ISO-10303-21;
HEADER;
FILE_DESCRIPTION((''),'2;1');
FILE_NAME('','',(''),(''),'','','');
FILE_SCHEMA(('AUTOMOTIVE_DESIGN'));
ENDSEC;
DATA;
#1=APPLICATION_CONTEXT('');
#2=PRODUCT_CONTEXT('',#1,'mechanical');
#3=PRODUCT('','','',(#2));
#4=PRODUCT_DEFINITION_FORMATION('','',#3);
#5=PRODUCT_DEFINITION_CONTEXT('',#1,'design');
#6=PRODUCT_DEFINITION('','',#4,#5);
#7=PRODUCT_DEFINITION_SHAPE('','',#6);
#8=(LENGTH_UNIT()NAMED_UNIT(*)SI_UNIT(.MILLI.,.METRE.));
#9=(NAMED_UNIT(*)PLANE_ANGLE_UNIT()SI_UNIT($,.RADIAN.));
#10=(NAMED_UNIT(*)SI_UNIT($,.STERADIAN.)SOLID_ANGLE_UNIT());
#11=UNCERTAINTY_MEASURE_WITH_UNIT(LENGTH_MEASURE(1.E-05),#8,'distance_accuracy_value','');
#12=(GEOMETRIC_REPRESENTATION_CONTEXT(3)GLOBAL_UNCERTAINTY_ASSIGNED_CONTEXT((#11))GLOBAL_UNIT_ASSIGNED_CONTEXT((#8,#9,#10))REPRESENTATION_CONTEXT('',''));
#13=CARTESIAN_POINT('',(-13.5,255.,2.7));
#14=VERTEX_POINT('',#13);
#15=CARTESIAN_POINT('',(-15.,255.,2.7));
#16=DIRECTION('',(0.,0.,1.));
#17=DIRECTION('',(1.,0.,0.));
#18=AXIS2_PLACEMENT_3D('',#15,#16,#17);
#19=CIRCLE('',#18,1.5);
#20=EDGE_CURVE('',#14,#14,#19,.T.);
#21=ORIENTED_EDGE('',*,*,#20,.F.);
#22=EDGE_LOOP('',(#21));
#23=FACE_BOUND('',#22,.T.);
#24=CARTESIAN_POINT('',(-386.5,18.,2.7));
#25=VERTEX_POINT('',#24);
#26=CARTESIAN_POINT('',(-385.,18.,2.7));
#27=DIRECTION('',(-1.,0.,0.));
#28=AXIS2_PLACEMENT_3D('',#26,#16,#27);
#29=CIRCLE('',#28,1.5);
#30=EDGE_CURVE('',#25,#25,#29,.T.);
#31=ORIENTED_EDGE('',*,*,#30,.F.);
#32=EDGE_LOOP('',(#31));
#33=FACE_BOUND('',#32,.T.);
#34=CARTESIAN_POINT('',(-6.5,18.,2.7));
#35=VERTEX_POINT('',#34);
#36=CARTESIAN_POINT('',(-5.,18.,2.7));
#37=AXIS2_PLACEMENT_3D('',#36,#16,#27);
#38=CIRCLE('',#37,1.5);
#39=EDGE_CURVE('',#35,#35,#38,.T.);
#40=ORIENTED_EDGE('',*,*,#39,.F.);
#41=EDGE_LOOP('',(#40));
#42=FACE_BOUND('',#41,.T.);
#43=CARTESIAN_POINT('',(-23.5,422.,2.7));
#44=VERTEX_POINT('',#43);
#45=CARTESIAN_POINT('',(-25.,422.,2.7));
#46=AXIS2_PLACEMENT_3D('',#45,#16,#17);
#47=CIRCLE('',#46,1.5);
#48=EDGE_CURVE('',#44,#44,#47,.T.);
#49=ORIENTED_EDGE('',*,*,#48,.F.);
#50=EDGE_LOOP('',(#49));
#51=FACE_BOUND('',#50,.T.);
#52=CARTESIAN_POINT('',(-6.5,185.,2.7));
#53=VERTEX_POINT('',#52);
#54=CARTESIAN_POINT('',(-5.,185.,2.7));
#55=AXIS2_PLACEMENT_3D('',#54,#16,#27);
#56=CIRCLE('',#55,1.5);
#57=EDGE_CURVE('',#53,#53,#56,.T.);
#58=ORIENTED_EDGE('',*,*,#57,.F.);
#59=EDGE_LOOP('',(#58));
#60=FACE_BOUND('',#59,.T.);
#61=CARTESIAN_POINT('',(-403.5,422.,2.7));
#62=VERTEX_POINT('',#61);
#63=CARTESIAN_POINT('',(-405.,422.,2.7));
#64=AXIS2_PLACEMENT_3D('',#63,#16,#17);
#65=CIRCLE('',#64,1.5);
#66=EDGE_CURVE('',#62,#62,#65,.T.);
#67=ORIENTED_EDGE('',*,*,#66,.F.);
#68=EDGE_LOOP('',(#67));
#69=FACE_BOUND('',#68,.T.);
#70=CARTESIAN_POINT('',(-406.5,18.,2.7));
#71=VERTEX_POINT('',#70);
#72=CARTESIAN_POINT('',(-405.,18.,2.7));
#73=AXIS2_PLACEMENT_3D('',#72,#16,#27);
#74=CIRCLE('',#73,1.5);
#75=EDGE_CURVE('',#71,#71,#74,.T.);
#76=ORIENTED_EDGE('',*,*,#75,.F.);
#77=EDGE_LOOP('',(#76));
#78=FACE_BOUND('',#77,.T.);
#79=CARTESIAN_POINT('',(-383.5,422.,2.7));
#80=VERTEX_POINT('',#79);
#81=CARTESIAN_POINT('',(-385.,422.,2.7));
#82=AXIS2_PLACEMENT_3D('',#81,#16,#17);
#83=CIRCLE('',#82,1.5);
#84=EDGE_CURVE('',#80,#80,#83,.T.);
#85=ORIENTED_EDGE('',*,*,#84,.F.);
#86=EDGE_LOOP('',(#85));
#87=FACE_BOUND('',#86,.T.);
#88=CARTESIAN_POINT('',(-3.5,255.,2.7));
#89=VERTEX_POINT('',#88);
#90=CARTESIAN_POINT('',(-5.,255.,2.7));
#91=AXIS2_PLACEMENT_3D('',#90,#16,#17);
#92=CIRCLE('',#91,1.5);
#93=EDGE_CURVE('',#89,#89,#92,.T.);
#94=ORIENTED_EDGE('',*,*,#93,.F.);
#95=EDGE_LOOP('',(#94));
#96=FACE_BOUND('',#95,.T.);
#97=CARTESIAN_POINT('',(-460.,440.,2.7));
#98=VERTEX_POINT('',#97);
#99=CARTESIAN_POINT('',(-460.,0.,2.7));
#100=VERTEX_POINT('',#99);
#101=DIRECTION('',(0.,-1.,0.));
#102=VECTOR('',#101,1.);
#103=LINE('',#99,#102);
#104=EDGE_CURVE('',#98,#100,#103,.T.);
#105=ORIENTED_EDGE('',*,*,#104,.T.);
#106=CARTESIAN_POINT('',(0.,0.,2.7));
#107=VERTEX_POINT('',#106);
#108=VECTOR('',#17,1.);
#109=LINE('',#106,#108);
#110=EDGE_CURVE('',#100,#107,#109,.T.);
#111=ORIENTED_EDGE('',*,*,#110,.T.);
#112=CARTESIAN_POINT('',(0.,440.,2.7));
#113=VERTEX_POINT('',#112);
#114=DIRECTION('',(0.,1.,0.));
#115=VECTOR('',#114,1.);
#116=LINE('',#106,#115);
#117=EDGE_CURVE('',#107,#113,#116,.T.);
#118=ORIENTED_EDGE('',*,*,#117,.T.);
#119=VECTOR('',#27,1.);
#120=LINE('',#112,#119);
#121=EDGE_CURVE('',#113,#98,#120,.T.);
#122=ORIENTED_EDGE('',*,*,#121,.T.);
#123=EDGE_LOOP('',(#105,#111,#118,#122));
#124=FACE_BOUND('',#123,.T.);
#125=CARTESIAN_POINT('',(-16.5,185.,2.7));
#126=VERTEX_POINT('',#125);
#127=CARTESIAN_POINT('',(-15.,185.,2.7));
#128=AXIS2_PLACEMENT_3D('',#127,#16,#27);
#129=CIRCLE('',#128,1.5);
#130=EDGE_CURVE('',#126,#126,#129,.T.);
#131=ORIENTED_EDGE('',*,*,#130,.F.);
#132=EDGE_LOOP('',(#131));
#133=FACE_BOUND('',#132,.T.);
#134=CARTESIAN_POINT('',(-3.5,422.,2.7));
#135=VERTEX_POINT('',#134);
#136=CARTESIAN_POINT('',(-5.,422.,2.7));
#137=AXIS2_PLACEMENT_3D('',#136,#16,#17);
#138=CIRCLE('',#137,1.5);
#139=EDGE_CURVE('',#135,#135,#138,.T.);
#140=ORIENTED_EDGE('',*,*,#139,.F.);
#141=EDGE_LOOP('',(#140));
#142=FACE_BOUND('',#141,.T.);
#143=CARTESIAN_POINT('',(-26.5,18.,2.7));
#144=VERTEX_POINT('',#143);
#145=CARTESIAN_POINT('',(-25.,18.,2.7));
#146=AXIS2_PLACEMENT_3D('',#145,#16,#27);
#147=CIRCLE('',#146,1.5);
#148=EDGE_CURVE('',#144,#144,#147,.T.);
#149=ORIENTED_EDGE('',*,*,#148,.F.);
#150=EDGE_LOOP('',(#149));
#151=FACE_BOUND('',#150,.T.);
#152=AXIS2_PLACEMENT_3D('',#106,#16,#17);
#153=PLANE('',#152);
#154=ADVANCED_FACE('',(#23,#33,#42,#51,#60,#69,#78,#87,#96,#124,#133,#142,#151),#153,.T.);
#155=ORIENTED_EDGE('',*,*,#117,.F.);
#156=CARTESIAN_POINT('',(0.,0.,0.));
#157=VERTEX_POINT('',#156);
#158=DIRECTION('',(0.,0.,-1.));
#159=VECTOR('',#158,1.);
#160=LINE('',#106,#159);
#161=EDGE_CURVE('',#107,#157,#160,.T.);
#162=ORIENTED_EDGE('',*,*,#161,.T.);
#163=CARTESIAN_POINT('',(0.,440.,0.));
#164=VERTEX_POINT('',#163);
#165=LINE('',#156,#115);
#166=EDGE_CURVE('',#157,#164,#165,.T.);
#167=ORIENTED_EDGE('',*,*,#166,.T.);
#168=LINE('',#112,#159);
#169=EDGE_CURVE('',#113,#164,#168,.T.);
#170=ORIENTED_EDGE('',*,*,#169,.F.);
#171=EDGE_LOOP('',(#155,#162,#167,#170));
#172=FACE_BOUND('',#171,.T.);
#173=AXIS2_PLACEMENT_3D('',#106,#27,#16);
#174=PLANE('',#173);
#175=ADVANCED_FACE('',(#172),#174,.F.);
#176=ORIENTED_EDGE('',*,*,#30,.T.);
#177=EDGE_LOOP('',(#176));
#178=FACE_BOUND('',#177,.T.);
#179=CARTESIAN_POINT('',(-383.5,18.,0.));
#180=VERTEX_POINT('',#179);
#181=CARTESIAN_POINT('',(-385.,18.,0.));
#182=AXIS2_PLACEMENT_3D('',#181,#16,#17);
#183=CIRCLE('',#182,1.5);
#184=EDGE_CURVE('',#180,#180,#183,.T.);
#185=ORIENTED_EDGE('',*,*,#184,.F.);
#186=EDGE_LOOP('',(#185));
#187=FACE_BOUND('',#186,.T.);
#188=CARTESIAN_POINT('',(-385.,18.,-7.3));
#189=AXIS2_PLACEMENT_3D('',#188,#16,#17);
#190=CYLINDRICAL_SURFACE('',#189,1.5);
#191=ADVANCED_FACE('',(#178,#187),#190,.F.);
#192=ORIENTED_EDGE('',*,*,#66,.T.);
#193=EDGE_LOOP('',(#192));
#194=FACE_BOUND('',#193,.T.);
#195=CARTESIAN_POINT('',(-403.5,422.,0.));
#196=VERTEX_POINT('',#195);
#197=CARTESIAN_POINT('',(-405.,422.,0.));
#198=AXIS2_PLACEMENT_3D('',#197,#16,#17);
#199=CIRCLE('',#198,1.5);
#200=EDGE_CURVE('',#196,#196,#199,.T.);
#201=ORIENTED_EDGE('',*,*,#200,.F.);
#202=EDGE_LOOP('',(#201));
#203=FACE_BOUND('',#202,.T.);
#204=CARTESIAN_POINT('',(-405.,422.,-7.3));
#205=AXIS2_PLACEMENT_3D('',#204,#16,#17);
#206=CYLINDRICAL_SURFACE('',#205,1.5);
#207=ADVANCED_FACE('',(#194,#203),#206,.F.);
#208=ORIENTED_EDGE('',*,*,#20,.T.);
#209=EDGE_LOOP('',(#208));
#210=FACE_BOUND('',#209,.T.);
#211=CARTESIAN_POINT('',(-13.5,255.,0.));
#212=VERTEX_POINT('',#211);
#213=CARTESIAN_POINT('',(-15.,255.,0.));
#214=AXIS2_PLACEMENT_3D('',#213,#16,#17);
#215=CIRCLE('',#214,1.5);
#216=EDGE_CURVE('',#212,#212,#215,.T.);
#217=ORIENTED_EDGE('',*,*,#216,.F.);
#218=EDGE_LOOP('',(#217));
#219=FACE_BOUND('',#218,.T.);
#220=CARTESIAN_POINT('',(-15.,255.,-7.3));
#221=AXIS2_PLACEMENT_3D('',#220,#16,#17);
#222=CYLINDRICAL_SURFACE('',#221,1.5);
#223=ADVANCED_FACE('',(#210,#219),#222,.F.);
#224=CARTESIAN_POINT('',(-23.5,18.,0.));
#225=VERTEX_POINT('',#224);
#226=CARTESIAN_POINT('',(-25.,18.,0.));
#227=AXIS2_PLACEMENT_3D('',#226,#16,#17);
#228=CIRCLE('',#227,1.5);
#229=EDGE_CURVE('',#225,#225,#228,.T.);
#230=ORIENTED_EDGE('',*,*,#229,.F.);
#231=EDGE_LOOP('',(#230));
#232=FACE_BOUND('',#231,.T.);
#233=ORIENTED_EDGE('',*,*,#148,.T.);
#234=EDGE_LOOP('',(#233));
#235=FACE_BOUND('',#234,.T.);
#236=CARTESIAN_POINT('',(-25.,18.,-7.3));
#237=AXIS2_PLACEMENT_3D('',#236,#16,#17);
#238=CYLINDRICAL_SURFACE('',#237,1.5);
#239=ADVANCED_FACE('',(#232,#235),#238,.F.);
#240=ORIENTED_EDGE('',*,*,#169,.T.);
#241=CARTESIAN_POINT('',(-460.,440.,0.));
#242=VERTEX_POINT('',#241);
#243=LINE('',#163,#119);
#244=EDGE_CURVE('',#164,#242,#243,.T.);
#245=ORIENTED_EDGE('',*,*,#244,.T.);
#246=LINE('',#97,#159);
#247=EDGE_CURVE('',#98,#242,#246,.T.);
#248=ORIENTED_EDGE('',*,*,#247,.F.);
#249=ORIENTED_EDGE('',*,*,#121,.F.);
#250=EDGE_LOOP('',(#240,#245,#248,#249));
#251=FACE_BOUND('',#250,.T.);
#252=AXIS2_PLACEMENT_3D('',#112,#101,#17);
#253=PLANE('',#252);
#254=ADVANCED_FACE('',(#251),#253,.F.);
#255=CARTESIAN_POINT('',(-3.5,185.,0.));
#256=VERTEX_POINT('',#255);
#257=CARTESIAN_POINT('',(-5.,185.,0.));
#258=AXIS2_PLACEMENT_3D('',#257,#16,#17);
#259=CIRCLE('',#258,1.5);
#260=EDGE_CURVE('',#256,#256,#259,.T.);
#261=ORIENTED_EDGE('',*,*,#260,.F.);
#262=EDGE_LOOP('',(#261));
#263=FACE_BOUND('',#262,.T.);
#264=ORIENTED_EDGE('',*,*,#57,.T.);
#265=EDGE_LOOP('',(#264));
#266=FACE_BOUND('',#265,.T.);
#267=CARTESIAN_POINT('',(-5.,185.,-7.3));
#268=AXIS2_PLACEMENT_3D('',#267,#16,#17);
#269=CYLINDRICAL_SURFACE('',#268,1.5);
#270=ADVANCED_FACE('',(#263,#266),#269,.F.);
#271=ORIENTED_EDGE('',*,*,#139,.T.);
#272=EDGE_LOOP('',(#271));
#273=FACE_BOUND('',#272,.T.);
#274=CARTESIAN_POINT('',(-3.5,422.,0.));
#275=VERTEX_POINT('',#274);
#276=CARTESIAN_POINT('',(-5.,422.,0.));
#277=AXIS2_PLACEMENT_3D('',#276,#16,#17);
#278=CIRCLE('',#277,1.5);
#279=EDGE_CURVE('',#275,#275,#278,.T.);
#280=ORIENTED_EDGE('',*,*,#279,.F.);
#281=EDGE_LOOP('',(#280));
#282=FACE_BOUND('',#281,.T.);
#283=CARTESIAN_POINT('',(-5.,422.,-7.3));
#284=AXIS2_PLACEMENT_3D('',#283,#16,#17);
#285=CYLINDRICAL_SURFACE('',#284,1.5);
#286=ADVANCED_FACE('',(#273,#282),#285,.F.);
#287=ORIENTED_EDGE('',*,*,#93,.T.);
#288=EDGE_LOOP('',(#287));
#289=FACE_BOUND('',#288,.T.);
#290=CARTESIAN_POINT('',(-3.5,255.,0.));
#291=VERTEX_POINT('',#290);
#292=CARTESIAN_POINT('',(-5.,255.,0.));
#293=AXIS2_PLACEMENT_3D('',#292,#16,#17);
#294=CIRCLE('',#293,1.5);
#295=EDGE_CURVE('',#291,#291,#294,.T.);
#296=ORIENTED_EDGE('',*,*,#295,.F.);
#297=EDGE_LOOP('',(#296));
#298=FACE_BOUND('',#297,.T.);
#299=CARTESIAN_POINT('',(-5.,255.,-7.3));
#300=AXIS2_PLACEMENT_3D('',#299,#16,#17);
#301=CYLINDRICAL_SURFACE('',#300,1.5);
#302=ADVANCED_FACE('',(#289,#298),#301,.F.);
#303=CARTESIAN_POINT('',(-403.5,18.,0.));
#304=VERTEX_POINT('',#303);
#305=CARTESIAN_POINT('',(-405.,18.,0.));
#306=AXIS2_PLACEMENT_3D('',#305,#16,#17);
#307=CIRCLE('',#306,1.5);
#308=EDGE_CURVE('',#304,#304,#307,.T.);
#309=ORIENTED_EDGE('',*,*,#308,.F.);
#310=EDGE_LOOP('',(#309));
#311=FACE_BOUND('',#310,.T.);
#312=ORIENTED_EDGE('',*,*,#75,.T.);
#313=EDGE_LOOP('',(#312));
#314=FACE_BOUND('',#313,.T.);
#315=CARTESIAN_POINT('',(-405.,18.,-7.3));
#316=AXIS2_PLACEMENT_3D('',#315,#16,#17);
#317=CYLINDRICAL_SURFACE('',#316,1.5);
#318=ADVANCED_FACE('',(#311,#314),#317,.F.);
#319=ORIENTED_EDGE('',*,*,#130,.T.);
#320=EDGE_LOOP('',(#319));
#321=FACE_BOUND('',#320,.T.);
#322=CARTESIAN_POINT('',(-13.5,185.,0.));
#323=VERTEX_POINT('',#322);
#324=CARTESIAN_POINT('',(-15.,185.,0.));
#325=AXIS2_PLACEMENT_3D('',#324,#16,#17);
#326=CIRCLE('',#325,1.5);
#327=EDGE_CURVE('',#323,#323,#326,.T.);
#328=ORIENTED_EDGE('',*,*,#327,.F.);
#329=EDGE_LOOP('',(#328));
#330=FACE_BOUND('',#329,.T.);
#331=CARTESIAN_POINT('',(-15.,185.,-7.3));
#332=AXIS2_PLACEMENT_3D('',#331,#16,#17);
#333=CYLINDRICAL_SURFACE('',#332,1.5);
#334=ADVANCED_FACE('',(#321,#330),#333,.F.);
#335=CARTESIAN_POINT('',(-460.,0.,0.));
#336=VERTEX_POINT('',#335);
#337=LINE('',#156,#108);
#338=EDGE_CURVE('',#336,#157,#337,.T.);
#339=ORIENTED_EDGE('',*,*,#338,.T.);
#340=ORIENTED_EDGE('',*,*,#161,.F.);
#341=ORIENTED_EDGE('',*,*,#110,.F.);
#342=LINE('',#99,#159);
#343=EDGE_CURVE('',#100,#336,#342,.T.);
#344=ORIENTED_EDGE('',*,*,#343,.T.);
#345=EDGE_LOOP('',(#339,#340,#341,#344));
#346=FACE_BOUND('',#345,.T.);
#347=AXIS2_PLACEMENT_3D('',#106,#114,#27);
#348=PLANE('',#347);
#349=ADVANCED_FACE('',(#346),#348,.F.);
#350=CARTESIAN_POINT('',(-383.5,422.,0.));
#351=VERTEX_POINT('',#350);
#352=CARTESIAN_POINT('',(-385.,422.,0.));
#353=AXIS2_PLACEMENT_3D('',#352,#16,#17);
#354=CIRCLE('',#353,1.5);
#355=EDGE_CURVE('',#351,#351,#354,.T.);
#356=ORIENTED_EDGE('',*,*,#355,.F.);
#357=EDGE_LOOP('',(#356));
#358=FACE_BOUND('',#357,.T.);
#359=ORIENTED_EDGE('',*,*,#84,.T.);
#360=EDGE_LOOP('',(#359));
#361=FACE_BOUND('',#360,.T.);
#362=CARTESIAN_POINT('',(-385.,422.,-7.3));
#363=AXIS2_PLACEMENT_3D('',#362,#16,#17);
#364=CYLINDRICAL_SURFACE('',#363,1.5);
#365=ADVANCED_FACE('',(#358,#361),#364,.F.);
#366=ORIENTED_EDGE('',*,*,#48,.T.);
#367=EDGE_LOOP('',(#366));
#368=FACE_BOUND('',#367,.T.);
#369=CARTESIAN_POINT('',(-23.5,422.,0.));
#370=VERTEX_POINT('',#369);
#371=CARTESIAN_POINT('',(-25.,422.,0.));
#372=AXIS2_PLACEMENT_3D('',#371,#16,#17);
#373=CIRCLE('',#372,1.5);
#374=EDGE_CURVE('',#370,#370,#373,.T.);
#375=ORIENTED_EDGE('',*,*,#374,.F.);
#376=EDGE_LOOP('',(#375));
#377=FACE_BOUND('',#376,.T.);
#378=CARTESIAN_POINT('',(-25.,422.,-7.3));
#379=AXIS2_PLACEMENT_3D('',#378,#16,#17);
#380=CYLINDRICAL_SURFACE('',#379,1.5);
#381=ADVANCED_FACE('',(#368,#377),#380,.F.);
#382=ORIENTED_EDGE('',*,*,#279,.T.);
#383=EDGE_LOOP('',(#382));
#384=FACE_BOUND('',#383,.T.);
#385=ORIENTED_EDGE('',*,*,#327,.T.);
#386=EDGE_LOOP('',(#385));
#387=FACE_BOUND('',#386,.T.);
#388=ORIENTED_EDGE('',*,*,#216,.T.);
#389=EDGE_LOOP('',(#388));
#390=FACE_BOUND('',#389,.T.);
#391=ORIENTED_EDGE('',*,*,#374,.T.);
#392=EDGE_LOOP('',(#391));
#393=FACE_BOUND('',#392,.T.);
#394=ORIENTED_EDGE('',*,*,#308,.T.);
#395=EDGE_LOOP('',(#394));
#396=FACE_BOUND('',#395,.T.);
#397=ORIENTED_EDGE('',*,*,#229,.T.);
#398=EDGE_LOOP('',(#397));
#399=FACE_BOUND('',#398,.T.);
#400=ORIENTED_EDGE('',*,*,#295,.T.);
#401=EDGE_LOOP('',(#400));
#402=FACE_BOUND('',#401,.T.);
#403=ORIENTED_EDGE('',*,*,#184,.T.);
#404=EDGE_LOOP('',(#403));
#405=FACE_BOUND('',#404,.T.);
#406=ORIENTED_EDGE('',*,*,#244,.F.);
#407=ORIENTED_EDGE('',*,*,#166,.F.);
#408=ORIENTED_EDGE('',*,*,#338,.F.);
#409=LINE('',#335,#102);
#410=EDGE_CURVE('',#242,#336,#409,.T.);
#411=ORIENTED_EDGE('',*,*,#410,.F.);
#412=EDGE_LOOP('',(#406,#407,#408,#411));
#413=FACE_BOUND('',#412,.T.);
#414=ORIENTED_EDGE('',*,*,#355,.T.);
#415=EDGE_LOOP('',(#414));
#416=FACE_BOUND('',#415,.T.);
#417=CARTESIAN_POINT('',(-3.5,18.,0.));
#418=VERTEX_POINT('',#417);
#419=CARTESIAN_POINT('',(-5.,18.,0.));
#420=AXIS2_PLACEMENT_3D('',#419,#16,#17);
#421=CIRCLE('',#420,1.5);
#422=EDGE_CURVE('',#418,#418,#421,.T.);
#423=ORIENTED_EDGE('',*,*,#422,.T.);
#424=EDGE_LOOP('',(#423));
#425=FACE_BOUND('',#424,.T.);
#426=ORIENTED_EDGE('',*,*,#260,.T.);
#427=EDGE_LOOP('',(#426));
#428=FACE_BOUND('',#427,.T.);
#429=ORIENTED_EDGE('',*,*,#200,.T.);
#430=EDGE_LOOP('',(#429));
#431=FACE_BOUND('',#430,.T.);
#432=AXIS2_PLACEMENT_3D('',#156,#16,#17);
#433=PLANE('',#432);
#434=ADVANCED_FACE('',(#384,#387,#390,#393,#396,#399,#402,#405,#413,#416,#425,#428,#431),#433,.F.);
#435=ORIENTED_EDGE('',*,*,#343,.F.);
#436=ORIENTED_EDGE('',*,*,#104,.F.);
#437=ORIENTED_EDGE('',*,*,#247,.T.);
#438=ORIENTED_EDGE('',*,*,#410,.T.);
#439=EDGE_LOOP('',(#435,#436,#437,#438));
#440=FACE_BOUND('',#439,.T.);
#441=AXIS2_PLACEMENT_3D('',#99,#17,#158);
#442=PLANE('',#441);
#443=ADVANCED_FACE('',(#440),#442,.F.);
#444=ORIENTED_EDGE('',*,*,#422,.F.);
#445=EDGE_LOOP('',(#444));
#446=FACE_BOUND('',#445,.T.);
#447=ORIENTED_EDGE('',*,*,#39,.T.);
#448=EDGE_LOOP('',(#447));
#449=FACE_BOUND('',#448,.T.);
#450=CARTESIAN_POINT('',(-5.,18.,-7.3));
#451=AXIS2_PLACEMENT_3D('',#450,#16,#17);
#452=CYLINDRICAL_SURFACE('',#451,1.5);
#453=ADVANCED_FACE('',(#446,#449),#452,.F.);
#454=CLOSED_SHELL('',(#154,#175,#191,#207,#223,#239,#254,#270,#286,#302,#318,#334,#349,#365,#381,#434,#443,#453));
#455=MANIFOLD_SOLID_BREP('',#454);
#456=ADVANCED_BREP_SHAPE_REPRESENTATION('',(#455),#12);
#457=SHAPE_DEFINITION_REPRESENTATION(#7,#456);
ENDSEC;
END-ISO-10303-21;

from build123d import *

# Parameters (mm, degrees)
SKETCH_1_W          = 460
SKETCH_1_H          = 440
EXTRUDE_1_DEPTH     = 2.7
SKETCH_2_R          = 1.5
CUT_EXTRUDE_1_DEPTH = 10
SKETCH_3_R          = 1.5
CUT_EXTRUDE_2_DEPTH = 10


with BuildPart() as part:
    # 草图1 → 凸台-拉伸1 (new body)
    with BuildSketch(Plane.XY):
        with Locations((-230, 220)):
            Rectangle(SKETCH_1_W, SKETCH_1_H)
    extrude(amount=EXTRUDE_1_DEPTH)

    # 草图2 → 切除-拉伸1 (cut)
    with BuildSketch(Plane.XY.offset(2.7)):
        with Locations((-5, 422)):
            Circle(SKETCH_2_R)
        with Locations((-25, 422)):
            Circle(SKETCH_2_R)
        with Locations((-25, 18)):
            Circle(SKETCH_2_R)
        with Locations((-5, 18)):
            Circle(SKETCH_2_R)
        with Locations((-385, 422)):
            Circle(SKETCH_2_R)
        with Locations((-405, 422)):
            Circle(SKETCH_2_R)
        with Locations((-405, 18)):
            Circle(SKETCH_2_R)
        with Locations((-385, 18)):
            Circle(SKETCH_2_R)
    extrude(amount=-CUT_EXTRUDE_1_DEPTH, mode=Mode.SUBTRACT)

    # 草图3 → 切除-拉伸2 (cut)
    with BuildSketch(Plane.XY.offset(2.7)):
        with Locations((-15, 255)):
            Circle(SKETCH_3_R)
        with Locations((-5, 255)):
            Circle(SKETCH_3_R)
        with Locations((-5, 185)):
            Circle(SKETCH_3_R)
        with Locations((-15, 185)):
            Circle(SKETCH_3_R)
    extrude(amount=-CUT_EXTRUDE_2_DEPTH, mode=Mode.SUBTRACT)


solid = part.part
